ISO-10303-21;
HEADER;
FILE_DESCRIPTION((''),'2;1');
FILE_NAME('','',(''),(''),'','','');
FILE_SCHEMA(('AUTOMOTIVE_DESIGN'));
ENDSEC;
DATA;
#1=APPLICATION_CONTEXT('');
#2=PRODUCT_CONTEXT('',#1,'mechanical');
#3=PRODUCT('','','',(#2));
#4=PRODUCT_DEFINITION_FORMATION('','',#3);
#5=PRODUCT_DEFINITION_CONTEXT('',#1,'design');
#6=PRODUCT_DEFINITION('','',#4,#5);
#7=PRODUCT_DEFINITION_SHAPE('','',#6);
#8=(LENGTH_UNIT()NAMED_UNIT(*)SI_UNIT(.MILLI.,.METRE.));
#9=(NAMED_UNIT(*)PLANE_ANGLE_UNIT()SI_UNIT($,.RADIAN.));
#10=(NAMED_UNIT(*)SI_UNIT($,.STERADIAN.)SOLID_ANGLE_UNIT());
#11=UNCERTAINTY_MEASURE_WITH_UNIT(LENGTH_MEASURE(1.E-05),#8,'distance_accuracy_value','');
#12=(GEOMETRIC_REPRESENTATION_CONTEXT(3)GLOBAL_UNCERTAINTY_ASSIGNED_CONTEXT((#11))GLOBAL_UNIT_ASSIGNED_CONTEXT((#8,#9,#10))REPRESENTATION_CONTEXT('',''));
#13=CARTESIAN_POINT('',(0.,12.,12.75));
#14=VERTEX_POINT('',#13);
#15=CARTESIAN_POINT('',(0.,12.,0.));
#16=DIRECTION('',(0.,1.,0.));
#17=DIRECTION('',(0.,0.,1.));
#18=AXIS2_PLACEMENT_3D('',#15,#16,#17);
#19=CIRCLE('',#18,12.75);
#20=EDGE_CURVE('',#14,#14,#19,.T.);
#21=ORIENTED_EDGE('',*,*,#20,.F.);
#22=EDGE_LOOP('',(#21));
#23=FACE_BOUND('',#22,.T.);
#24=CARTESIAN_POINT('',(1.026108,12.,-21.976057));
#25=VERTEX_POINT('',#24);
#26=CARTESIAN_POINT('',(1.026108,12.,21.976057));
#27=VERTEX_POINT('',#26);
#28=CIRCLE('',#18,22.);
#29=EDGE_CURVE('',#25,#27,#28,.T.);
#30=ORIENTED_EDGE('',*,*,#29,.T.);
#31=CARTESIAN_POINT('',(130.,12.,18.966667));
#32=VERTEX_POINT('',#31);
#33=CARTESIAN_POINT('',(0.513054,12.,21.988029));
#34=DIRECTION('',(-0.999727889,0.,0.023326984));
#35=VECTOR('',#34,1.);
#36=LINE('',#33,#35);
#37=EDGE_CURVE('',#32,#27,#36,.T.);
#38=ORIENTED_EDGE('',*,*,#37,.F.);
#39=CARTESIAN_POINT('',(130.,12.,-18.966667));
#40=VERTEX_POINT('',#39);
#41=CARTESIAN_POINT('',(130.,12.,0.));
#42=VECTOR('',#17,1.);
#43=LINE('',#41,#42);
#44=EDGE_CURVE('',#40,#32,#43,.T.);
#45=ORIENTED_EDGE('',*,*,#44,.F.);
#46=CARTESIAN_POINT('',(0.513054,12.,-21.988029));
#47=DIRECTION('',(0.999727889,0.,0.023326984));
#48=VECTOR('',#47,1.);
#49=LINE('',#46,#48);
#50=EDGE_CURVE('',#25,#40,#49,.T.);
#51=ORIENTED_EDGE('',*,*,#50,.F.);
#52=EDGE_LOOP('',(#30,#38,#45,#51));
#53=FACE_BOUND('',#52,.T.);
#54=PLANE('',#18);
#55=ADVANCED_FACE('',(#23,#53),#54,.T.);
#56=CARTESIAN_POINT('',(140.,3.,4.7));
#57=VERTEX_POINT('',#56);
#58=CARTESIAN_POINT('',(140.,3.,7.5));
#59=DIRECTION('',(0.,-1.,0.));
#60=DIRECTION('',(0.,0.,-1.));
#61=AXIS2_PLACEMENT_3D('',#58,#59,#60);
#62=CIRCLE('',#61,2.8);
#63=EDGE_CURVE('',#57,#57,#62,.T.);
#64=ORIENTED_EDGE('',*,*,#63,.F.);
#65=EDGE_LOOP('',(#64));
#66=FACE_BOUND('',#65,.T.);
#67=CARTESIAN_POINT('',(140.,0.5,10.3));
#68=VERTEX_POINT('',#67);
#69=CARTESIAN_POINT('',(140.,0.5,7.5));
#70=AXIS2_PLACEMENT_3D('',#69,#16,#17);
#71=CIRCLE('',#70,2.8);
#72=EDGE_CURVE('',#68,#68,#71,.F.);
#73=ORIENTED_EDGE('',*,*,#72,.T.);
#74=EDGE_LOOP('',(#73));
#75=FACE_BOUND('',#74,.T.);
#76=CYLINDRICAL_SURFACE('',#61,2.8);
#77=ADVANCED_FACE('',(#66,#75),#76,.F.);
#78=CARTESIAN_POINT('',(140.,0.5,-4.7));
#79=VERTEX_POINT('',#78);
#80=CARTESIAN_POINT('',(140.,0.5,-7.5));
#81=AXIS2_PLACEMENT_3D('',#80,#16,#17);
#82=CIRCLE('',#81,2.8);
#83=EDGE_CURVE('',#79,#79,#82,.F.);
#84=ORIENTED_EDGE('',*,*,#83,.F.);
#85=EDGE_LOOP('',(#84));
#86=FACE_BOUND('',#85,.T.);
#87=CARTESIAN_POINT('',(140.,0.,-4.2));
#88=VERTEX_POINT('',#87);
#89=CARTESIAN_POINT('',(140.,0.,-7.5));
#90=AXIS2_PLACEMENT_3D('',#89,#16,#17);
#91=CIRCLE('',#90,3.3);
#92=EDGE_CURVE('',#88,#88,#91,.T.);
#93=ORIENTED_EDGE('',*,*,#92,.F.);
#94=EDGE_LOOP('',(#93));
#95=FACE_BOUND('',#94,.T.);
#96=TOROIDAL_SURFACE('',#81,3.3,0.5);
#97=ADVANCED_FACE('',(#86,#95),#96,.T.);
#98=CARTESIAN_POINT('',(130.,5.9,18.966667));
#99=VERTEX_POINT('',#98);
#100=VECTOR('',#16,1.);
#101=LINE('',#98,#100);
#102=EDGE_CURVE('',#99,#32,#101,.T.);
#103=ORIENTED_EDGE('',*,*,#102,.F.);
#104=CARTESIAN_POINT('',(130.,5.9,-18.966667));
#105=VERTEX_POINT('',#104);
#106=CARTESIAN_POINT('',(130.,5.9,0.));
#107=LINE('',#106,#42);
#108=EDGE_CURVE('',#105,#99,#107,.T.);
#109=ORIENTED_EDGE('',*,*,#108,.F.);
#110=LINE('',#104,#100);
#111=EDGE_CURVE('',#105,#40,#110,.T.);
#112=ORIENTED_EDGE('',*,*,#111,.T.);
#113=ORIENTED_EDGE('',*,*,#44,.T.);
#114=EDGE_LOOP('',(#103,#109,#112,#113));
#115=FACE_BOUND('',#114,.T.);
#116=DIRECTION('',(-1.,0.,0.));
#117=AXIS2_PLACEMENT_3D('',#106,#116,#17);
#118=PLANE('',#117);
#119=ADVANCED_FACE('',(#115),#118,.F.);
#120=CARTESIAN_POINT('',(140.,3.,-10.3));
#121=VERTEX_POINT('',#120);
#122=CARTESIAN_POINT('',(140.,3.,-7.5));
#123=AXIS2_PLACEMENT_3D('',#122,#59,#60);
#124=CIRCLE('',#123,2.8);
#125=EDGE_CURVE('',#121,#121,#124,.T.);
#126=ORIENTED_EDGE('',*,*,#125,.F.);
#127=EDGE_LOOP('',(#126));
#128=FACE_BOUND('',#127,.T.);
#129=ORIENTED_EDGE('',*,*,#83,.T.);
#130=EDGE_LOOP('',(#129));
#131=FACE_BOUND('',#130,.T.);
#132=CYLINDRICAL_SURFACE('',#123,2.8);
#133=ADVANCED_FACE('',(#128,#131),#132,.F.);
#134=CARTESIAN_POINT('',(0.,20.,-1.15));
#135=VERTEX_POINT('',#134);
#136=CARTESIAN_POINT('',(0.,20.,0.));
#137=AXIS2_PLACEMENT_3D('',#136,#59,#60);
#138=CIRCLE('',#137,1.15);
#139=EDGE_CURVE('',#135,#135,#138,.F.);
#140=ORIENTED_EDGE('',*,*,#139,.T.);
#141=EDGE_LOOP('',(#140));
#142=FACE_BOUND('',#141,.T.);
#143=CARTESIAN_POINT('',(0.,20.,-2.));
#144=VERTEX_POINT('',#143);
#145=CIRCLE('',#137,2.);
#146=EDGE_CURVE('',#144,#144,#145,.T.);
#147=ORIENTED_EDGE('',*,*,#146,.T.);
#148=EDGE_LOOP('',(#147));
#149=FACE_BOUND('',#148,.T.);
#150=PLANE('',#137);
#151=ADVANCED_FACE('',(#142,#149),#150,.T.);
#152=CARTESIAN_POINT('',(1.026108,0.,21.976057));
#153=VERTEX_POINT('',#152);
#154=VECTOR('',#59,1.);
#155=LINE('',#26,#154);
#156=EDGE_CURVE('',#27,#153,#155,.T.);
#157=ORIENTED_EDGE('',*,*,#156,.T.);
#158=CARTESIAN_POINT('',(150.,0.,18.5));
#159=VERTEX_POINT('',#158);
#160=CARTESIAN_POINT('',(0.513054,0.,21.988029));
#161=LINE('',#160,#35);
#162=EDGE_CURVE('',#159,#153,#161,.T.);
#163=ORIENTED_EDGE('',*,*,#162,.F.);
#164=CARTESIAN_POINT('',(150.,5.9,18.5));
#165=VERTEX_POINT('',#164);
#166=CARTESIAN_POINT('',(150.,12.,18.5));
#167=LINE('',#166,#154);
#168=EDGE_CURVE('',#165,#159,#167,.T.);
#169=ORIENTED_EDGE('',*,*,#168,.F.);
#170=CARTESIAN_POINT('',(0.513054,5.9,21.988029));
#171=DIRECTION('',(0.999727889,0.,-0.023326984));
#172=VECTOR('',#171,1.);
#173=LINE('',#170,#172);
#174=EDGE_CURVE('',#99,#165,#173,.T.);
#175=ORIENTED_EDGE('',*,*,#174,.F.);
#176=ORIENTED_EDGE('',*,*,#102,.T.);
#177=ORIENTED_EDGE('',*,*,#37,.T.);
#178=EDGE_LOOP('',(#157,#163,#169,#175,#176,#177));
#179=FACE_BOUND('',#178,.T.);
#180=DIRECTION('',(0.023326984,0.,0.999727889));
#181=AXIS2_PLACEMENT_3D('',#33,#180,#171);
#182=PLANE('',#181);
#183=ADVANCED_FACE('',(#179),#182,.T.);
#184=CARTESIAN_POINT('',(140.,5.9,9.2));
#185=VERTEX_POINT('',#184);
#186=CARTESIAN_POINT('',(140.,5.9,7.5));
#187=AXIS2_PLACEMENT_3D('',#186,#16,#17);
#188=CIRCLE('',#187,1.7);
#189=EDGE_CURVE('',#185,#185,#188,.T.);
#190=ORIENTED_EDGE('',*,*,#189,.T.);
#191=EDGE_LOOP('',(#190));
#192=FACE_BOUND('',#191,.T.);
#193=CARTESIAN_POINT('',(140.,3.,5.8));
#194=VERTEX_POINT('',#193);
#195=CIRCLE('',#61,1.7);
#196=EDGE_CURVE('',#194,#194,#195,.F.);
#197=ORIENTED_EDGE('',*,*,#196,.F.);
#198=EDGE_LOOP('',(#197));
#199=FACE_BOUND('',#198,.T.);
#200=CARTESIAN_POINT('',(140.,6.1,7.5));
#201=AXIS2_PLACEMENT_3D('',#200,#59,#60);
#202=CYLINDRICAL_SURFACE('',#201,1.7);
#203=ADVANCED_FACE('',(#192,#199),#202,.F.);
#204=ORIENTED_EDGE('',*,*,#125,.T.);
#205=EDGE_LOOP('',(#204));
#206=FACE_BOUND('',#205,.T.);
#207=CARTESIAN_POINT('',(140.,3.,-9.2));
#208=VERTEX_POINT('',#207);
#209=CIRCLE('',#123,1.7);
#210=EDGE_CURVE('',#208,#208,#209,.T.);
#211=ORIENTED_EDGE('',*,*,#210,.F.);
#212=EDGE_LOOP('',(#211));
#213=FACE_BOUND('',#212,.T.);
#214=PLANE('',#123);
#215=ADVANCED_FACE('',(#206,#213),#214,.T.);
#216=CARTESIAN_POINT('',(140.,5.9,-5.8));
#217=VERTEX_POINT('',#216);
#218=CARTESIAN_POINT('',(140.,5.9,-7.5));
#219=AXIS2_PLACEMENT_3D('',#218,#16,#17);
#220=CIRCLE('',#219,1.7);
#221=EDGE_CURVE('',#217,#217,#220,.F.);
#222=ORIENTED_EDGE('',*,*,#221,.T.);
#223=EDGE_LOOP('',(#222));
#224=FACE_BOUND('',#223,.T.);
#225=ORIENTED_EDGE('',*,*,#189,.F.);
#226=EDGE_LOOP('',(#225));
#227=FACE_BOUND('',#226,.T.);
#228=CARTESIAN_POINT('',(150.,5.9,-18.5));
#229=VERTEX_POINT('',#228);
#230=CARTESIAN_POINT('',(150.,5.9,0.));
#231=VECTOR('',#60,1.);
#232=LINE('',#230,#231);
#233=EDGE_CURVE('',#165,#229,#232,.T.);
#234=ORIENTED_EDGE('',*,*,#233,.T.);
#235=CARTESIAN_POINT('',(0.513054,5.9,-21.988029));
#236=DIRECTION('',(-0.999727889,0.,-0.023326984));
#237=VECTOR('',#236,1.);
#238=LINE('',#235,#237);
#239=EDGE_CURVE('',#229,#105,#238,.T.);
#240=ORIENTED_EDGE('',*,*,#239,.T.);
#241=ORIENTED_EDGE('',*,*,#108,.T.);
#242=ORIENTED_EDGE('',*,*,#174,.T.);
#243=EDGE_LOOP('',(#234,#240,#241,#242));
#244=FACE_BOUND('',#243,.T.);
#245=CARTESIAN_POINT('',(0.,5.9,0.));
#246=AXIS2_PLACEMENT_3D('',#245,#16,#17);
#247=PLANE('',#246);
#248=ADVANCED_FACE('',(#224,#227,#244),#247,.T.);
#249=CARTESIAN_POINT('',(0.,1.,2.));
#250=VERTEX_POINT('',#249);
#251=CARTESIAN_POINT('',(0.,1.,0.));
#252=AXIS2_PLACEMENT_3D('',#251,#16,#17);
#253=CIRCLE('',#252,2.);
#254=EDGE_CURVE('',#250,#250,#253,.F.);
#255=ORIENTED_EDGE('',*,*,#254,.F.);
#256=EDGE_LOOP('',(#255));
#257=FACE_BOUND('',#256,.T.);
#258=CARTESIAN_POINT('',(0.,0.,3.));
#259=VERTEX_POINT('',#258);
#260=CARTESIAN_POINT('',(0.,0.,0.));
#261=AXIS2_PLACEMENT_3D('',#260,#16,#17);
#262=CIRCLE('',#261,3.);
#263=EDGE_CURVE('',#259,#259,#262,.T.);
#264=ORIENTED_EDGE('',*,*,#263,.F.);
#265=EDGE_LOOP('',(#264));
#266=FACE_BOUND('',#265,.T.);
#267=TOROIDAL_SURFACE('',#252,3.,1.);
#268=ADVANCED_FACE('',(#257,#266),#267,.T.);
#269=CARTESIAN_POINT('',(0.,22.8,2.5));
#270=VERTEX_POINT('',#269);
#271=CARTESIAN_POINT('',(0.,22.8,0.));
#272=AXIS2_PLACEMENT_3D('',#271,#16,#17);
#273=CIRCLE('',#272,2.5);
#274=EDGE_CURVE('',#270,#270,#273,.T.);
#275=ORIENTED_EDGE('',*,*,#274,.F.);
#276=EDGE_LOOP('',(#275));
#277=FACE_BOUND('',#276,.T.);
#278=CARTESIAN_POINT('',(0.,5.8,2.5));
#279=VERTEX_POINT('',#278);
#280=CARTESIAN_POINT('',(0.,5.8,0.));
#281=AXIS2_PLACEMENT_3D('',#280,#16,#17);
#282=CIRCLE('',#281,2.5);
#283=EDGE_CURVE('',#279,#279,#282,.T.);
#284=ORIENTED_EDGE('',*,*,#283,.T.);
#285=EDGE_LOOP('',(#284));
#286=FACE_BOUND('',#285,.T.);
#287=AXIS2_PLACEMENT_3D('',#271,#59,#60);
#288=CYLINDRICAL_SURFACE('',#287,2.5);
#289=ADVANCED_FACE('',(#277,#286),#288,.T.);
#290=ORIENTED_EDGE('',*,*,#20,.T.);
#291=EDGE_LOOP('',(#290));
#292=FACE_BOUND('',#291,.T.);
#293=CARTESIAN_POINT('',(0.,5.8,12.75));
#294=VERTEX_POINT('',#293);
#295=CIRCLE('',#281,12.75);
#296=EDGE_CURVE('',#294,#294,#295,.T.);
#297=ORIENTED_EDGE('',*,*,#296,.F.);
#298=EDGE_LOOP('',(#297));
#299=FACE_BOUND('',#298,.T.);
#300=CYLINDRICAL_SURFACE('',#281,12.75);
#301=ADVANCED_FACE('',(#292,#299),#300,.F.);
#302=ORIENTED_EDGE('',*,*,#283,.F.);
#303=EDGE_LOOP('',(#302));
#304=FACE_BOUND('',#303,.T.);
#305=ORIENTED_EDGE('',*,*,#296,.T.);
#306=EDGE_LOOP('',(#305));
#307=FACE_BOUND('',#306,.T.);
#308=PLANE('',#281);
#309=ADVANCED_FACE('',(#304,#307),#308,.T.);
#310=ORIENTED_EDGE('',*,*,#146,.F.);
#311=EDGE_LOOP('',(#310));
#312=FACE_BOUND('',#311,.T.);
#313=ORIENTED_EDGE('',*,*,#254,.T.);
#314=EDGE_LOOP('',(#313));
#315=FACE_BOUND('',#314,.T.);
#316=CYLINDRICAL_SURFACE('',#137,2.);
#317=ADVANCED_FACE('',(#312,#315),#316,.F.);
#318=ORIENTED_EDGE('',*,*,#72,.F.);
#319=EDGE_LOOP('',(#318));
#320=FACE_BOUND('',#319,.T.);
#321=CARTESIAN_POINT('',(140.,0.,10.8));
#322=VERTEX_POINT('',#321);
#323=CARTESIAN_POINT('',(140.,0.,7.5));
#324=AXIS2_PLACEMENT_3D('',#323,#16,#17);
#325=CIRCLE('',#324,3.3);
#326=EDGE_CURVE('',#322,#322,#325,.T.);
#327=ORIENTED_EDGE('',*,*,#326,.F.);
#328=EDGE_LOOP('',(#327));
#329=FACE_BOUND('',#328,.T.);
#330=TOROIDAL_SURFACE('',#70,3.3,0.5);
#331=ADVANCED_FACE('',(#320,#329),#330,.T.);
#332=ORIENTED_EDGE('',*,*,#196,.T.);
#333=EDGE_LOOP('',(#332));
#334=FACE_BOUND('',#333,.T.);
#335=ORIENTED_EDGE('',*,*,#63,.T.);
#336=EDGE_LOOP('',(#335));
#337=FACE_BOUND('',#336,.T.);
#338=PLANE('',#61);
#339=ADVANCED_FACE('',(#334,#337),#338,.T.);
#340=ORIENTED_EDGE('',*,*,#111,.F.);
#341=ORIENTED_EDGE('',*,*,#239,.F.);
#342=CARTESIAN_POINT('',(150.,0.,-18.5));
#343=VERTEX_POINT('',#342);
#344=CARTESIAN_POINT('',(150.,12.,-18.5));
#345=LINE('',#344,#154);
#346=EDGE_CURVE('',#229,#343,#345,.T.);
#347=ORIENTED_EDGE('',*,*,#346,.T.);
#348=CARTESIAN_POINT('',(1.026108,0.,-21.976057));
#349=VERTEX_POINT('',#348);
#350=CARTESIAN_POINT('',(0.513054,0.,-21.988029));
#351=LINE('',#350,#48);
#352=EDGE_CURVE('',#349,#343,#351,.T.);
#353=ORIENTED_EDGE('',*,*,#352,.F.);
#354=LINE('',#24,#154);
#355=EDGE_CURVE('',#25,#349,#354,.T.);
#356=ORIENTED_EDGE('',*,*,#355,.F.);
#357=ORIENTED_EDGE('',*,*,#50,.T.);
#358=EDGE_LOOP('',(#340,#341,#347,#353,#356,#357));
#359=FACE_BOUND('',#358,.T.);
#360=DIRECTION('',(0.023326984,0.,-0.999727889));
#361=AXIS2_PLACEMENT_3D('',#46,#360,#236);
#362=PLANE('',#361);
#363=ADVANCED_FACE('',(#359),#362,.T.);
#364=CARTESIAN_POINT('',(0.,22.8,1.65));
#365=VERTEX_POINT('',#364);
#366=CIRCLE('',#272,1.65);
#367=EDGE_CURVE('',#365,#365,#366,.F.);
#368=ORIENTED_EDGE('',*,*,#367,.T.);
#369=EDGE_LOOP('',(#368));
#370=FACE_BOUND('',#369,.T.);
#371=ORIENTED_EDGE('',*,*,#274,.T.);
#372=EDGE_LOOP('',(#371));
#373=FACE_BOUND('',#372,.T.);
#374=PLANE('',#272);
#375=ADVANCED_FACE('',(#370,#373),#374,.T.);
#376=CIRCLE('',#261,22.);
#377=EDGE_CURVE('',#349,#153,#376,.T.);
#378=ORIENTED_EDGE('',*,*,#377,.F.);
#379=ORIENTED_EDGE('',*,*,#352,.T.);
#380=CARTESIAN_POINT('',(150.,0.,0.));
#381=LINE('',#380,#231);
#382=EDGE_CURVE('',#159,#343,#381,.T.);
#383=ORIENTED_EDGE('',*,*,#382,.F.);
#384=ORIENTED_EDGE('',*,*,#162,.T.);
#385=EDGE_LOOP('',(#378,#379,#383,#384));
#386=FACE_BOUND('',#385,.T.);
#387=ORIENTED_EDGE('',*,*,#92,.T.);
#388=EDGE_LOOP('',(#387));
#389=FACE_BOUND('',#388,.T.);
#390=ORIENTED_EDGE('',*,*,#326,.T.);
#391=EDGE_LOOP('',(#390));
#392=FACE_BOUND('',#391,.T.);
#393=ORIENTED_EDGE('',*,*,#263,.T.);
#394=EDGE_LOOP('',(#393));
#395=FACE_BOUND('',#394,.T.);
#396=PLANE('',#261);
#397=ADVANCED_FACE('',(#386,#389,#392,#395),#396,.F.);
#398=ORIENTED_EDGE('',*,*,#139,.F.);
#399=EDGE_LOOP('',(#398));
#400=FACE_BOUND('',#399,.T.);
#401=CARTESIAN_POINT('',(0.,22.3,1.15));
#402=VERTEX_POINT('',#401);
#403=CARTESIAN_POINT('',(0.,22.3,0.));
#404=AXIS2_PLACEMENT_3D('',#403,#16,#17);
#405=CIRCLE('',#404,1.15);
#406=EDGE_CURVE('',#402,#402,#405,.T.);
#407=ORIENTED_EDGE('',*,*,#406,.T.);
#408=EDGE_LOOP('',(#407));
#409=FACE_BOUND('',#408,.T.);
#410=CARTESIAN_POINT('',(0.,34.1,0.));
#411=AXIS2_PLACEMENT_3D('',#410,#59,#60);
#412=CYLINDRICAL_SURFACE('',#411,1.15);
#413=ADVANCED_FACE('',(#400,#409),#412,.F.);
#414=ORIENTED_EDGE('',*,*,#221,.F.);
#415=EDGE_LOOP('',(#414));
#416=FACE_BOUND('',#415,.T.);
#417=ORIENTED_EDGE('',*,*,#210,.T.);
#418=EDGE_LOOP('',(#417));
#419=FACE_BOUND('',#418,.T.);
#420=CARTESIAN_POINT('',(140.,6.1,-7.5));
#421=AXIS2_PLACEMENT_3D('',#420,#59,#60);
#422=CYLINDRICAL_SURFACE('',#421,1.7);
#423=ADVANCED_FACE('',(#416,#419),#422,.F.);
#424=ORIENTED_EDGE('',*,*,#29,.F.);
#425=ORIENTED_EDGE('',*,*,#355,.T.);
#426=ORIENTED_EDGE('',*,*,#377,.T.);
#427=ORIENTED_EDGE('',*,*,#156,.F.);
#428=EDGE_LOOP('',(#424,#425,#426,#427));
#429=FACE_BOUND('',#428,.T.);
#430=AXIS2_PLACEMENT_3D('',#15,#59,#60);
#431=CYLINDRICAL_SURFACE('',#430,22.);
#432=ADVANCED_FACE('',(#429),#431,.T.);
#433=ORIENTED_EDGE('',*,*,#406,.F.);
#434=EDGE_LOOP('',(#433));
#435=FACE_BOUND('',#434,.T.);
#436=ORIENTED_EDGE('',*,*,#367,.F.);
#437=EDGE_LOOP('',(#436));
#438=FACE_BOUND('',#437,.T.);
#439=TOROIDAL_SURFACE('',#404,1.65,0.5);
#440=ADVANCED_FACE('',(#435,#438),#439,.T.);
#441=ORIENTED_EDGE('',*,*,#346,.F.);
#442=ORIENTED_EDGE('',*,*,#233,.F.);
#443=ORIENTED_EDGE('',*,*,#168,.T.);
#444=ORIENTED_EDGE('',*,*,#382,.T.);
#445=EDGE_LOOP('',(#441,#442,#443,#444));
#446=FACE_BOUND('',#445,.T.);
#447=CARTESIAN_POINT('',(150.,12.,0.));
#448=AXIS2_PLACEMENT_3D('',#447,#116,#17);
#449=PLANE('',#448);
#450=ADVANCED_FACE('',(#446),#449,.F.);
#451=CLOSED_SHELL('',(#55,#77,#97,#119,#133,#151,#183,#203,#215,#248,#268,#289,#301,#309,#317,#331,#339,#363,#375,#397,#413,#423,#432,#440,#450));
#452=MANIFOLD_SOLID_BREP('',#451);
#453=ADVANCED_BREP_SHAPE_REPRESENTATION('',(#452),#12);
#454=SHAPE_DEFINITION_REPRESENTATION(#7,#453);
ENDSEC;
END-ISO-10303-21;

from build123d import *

# Parameters (mm, degrees)
SKETCH1_R           = 22
BOSS_EXTRUDE1_DEPTH = 12
SKETCH2_R           = 12.75
CUT_EXTRUDE1_DEPTH  = 6.2
SKETCH5_R           = 2.5
BOSS_EXTRUDE2_DEPTH = 17
SKETCH6_R           = 1.15
CUT_EXTRUDE2_DEPTH  = 34.1
SKETCH7_R           = 2
CUT_EXTRUDE3_DEPTH  = 20
FILLET1_R           = 1
FILLET2_R           = 0.5
BOSS_EXTRUDE4_DEPTH = 12
CUT_EXTRUDE5_DEPTH  = 6.1
SKETCH10_R          = 1.7
CUT_EXTRUDE6_DEPTH  = 6.1
SKETCH11_R          = 2.8
CUT_EXTRUDE7_DEPTH  = 3
FILLET3_R           = 0.5


with BuildPart() as part:
    # Sketch1 → Boss-Extrude1 (new body)
    with BuildSketch(Plane(origin=(0, 0, 0), x_dir=(1, 0, 0), z_dir=(0, 1, 0))):
        Circle(SKETCH1_R)
    extrude(amount=BOSS_EXTRUDE1_DEPTH)

    # Sketch2 → Cut-Extrude1 (cut)
    with BuildSketch(Plane(origin=(0, 12, 0), x_dir=(1, 0, 0), z_dir=(0, 1, 0))):
        Circle(SKETCH2_R)
    extrude(amount=-CUT_EXTRUDE1_DEPTH, mode=Mode.SUBTRACT)

    # Sketch5 → Boss-Extrude2 (add)
    with BuildSketch(Plane(origin=(0, 5.8, 0), x_dir=(1, 0, 0), z_dir=(0, 1, 0))):
        Circle(SKETCH5_R)
    extrude(amount=BOSS_EXTRUDE2_DEPTH)

    # Sketch6 → Cut-Extrude2 (cut)
    with BuildSketch(Plane.XZ):
        Circle(SKETCH6_R)
    extrude(amount=-CUT_EXTRUDE2_DEPTH, mode=Mode.SUBTRACT)

    # Sketch7 → Cut-Extrude3 (cut)
    with BuildSketch(Plane.XZ):
        Circle(SKETCH7_R)
    extrude(amount=-CUT_EXTRUDE3_DEPTH, mode=Mode.SUBTRACT)

    # Fillet1
    fillet1_edges = [part.edges().sort_by_distance(p)[0] for p in [
        (-2, 0, 0),
    ]]
    fillet(fillet1_edges, radius=FILLET1_R)

    # Fillet2
    fillet2_edges = [part.edges().sort_by_distance(p)[0] for p in [
        (-1.15, 22.8, 0),
    ]]
    fillet(fillet2_edges, radius=FILLET2_R)

    # Sketch8 → Boss-Extrude4 (add)
    with BuildSketch(Plane.XZ):
        with BuildLine():
            Line((1.026108008, -21.97605748), (150, -18.5))
            Line((150, -18.5), (150, 18.5))
            Line((150, 18.5), (1.026108008, 21.97605748))
            ThreePointArc((1.026108008, 21.97605748), (22, 0), (1.026108008, -21.97605748))
        make_face()
    extrude(amount=-BOSS_EXTRUDE4_DEPTH)

    # Sketch9 → Cut-Extrude5 (cut)
    with BuildSketch(Plane(origin=(0, 12, 0), x_dir=(1, 0, 0), z_dir=(0, 1, 0))):
        Polygon((150, 18.5), (130, 18.966666667), (130, -18.966666667), (150, -18.5), align=None)
    extrude(amount=-CUT_EXTRUDE5_DEPTH, mode=Mode.SUBTRACT)

    # Sketch10 → Cut-Extrude6 (cut)
    with BuildSketch(Plane.XZ):
        with Locations((140, -7.5)):
            Circle(SKETCH10_R)
        with Locations((140, 7.5)):
            Circle(SKETCH10_R)
    extrude(amount=-CUT_EXTRUDE6_DEPTH, mode=Mode.SUBTRACT)

    # Sketch11 → Cut-Extrude7 (cut)
    with BuildSketch(Plane.XZ):
        with Locations((140, 7.5)):
            Circle(SKETCH11_R)
        with Locations((140, -7.5)):
            Circle(SKETCH11_R)
    extrude(amount=-CUT_EXTRUDE7_DEPTH, mode=Mode.SUBTRACT)

    # Fillet3
    fillet3_edges = [part.edges().sort_by_distance(p)[0] for p in [
        (137.2, 0, 7.5),
        (137.2, 0, -7.5),
    ]]
    fillet(fillet3_edges, radius=FILLET3_R)


solid = part.part
